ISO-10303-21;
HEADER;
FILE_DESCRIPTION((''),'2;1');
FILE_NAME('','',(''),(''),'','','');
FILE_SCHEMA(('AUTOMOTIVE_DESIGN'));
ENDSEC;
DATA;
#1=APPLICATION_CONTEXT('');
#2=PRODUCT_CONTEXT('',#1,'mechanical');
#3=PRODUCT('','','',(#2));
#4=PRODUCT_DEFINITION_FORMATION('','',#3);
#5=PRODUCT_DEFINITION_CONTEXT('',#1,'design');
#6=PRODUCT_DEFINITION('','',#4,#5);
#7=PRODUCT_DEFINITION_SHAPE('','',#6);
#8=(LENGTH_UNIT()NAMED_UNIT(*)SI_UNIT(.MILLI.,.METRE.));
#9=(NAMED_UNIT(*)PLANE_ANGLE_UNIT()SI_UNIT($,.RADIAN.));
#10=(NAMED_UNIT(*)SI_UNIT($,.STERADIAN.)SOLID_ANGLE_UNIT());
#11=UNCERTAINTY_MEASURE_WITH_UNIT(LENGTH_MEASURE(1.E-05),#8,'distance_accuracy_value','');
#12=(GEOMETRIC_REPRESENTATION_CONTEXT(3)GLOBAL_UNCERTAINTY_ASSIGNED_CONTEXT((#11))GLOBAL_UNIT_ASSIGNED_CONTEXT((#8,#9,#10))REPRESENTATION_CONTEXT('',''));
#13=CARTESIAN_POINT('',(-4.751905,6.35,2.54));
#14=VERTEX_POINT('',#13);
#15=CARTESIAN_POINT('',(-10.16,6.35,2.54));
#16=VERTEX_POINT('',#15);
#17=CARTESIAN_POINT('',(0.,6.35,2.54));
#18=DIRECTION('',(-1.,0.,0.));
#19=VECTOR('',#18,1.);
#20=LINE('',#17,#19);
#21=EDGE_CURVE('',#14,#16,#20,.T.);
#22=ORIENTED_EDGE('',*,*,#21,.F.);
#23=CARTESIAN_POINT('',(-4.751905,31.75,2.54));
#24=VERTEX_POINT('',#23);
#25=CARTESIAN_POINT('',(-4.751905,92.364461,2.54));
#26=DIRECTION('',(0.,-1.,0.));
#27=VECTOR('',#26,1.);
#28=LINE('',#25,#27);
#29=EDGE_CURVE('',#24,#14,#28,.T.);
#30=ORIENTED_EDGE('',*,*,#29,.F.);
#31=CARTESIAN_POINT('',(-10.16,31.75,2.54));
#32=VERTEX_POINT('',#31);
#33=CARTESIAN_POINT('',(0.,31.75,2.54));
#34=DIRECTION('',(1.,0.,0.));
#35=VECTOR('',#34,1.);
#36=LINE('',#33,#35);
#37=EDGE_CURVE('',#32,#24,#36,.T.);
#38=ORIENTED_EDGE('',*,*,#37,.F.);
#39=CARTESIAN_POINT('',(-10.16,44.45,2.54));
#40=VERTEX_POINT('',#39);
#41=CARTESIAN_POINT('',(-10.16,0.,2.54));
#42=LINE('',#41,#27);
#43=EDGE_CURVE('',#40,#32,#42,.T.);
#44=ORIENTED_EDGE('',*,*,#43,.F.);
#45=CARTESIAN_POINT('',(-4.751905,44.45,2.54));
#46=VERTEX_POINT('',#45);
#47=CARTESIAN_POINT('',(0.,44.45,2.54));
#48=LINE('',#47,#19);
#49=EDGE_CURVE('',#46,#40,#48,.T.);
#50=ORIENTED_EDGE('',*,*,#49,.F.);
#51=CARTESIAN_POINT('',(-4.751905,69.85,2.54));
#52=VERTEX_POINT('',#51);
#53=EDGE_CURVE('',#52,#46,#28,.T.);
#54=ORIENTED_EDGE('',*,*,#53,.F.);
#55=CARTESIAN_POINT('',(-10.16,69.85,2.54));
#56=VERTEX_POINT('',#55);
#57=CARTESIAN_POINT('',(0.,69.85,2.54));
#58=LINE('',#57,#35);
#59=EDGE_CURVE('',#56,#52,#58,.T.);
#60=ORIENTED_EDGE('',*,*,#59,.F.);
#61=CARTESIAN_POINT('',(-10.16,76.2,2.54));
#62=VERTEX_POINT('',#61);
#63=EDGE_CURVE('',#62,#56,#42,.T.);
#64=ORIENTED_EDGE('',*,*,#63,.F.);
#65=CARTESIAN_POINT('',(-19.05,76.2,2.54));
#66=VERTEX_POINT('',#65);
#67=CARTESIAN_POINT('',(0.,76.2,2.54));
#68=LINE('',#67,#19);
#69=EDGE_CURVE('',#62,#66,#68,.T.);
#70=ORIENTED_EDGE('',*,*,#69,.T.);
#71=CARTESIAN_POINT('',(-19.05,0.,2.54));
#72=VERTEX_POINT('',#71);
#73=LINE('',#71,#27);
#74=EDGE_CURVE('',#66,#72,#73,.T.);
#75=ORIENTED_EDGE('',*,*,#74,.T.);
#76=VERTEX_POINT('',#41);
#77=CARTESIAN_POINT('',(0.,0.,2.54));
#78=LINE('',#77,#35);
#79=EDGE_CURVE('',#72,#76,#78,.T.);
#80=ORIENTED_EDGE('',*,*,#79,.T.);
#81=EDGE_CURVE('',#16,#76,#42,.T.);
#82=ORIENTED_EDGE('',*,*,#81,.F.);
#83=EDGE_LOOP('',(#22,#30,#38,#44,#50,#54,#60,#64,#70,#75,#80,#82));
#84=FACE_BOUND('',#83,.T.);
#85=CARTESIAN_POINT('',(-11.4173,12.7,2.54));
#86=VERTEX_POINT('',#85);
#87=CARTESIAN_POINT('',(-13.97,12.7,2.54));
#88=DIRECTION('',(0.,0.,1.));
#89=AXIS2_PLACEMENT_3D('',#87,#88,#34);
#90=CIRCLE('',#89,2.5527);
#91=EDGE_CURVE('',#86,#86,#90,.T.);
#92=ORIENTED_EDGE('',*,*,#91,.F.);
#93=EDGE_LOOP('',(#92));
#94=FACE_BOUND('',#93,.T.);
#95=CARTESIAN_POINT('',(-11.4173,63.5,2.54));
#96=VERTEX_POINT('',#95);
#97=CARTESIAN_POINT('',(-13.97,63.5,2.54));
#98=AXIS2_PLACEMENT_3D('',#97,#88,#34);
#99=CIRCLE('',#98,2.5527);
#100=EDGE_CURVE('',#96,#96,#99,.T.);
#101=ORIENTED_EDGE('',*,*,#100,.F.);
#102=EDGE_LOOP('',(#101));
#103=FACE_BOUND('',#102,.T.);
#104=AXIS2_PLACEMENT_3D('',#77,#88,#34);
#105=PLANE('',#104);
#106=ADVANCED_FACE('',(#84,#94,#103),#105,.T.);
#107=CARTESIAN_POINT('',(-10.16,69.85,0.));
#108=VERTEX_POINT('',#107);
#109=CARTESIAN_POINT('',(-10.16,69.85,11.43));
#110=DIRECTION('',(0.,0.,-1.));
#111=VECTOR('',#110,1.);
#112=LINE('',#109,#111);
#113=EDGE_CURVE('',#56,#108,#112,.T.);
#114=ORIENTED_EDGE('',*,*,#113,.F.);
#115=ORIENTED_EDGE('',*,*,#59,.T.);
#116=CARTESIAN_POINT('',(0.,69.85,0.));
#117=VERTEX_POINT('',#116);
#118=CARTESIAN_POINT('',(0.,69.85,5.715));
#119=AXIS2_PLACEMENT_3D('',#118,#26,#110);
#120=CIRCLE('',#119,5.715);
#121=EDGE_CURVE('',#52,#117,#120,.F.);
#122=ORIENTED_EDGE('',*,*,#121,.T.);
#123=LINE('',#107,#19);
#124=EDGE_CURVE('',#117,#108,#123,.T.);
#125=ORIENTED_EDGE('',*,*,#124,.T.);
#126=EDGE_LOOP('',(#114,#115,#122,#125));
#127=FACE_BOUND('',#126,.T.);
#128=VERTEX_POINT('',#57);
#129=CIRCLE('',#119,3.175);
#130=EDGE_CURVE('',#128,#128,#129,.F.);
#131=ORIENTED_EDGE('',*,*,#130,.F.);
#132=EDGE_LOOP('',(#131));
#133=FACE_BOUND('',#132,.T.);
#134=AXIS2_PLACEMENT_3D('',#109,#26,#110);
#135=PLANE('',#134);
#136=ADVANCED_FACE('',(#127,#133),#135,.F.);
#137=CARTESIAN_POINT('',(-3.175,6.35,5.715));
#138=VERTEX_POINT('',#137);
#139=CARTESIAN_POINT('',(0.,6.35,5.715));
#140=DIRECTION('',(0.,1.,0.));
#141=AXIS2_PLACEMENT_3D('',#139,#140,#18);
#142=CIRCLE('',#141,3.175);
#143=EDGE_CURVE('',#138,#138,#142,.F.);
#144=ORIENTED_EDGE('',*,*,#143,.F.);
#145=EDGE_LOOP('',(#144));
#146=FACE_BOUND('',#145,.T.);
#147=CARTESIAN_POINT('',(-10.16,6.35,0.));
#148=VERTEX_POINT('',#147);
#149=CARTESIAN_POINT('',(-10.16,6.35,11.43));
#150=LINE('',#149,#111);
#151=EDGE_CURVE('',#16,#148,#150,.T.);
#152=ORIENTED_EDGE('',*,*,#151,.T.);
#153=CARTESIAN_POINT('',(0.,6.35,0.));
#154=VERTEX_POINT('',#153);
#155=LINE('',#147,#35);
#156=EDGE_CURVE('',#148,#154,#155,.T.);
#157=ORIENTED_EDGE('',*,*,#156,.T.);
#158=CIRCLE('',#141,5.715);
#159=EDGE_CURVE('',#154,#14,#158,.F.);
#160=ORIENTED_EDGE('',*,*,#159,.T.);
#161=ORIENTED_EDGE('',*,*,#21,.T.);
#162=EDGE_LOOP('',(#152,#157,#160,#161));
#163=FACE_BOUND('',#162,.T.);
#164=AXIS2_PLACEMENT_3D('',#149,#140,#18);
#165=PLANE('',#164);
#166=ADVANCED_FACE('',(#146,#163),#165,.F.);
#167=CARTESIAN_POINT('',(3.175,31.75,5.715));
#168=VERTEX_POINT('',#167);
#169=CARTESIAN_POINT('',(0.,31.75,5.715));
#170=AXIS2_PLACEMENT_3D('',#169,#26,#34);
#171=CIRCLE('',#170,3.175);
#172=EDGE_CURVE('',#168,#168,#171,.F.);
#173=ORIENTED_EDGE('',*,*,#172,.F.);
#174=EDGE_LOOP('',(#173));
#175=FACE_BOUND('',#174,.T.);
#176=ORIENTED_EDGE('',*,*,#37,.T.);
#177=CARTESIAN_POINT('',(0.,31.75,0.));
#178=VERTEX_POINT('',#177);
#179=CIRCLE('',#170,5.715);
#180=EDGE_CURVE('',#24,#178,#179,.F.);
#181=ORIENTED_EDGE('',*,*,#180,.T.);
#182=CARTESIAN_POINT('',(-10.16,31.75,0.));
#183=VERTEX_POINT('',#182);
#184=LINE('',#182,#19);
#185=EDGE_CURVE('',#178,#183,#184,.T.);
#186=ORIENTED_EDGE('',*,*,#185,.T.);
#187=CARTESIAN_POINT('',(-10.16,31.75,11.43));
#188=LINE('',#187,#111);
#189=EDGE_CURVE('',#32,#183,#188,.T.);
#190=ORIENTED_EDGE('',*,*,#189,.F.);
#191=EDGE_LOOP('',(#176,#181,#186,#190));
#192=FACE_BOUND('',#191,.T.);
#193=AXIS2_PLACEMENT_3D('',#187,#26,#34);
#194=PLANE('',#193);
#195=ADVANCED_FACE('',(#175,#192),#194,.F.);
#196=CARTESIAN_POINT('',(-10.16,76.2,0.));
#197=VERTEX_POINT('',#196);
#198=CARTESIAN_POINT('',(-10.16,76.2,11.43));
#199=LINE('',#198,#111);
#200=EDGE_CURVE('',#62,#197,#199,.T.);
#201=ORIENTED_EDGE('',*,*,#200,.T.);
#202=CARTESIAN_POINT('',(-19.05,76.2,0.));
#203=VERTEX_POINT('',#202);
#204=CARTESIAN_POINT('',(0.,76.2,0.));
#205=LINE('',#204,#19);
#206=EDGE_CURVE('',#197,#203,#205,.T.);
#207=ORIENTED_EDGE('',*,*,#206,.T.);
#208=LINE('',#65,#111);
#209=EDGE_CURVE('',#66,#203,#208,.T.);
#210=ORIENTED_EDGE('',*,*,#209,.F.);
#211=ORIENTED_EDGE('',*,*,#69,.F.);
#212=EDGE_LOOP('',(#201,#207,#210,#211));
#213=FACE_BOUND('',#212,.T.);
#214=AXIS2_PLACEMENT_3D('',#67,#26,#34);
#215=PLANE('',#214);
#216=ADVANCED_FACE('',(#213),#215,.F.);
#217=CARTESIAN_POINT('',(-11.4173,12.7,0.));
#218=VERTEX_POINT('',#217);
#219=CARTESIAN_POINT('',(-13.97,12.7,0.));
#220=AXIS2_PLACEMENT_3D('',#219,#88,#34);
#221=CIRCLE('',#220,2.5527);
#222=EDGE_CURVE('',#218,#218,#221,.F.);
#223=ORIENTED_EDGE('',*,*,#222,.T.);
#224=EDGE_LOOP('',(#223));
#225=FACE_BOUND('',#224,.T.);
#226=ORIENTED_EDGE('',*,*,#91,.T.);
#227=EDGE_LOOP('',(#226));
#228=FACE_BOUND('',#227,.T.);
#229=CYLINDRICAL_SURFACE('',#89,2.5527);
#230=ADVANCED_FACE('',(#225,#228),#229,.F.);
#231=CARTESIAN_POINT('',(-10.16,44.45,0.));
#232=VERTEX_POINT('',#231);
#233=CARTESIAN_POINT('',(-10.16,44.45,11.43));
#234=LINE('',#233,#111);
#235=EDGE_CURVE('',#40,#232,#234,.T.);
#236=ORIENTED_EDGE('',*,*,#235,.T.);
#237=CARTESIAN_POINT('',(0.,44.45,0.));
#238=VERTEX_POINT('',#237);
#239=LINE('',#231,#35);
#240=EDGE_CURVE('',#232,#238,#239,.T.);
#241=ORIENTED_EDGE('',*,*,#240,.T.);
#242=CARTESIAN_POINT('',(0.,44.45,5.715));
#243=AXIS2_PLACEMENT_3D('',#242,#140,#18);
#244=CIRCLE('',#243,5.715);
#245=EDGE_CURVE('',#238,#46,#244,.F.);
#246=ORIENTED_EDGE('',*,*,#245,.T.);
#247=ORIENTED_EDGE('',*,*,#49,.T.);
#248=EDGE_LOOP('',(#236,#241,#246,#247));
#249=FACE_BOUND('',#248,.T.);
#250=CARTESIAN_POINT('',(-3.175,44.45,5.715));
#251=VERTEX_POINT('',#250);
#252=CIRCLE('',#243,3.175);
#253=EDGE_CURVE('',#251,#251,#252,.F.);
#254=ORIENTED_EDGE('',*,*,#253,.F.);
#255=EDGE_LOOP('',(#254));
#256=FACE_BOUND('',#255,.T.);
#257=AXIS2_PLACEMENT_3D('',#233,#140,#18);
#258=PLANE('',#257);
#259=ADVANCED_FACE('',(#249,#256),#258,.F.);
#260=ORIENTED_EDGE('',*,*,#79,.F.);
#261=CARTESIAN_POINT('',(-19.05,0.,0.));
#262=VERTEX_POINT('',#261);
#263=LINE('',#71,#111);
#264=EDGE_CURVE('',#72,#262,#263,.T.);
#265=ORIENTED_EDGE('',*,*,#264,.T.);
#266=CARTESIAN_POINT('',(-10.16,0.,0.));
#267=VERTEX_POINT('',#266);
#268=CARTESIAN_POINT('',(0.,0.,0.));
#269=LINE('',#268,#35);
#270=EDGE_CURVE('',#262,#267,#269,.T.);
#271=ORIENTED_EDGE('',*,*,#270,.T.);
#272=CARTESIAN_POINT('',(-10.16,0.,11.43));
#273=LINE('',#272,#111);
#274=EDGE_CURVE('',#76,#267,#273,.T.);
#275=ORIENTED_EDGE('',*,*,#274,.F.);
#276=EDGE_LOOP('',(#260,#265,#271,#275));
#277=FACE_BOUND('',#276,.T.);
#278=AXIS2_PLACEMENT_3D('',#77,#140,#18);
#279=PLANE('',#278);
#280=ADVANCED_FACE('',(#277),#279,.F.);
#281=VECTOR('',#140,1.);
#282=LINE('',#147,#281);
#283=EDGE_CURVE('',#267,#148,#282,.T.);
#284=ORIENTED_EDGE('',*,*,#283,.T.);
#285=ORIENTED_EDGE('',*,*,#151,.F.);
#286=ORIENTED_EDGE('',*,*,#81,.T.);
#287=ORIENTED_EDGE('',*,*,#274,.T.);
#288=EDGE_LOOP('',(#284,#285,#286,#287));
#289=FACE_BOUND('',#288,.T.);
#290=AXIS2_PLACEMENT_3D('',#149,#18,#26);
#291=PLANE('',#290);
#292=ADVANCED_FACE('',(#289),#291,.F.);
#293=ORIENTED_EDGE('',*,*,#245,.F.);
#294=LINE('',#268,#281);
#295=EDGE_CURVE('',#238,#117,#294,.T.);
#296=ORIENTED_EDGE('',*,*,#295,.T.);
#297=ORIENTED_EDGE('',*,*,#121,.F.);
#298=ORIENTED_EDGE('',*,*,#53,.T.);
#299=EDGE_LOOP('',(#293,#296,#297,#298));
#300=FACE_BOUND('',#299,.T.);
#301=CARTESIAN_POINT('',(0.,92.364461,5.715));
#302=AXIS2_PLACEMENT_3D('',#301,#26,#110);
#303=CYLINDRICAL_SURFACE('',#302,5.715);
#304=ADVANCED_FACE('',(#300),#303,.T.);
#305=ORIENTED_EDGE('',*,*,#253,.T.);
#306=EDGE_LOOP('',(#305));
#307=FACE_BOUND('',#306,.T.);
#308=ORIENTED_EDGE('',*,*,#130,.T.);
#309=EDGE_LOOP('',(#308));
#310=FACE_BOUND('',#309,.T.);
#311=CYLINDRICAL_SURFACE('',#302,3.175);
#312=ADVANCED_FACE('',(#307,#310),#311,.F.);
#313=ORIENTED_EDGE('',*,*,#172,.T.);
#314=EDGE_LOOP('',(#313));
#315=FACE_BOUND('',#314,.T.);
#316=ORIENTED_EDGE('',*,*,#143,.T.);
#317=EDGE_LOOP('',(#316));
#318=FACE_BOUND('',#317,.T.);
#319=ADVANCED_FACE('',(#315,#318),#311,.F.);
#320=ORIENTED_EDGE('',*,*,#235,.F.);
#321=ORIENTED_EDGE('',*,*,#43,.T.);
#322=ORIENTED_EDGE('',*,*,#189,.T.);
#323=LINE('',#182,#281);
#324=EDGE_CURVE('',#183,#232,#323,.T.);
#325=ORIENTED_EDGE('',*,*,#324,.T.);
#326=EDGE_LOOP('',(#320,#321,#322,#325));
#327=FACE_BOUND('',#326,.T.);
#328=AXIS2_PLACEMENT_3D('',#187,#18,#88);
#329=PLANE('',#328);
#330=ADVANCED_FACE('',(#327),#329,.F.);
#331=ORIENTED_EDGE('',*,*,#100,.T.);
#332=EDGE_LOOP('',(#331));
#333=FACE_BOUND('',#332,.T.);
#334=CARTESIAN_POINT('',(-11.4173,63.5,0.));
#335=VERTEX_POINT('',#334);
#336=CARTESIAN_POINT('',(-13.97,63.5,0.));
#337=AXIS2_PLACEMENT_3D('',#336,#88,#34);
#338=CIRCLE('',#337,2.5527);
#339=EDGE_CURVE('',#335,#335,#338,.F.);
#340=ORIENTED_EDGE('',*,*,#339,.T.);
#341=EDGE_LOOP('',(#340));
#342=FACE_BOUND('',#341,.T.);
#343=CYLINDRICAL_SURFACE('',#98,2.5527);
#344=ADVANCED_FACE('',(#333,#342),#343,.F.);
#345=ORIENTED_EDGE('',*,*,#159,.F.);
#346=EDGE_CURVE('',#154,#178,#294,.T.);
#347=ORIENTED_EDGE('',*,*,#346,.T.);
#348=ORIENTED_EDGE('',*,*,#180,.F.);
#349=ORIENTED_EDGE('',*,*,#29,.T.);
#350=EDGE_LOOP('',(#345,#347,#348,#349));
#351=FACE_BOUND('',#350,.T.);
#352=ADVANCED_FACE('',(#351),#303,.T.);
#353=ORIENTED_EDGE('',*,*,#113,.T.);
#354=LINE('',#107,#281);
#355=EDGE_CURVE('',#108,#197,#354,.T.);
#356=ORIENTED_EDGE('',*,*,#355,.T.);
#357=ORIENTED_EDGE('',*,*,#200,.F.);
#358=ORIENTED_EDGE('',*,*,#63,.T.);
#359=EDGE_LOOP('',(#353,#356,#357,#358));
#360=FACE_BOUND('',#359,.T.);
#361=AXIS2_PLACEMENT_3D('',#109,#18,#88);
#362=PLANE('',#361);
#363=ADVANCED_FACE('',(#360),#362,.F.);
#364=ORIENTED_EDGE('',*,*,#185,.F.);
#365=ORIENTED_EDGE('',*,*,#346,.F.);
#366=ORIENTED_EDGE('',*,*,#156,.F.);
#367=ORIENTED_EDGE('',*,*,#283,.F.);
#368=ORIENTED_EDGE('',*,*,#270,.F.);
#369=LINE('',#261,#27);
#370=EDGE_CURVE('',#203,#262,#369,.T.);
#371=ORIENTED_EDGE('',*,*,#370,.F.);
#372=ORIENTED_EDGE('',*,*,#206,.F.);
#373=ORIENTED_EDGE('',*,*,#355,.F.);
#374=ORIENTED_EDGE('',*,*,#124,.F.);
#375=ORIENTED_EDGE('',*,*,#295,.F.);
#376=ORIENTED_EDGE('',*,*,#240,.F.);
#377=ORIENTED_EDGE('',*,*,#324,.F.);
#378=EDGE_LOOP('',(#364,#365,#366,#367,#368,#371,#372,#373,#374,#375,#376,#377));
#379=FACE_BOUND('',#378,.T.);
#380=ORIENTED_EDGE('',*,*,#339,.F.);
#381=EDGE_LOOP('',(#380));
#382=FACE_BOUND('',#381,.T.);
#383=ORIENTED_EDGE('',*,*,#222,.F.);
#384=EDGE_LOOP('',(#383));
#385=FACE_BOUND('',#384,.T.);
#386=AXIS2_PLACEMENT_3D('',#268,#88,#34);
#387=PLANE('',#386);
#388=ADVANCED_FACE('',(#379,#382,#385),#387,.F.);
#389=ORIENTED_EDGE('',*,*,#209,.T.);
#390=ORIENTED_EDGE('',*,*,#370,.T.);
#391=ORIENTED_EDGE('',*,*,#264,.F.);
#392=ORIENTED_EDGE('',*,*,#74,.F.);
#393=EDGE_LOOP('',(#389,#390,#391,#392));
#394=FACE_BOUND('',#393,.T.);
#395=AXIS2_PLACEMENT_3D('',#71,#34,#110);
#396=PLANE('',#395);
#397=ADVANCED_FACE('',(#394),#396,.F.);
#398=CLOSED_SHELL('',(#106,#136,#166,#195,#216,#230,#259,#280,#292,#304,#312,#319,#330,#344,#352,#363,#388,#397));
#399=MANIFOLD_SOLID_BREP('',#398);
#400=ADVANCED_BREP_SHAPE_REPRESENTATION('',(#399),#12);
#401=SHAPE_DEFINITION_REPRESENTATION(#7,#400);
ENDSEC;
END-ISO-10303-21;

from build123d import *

# Parameters (mm, degrees)
SKETCH1_W              = 19.05
SKETCH1_H              = 76.2
BOSS_EXTRUDE1_DEPTH    = 2.54
SKETCH2_R              = 5.715
SKETCH2_R_2            = 3.175
BOSS_EXTRUDE2_DEPTH    = 76.2
SKETCH3_W              = 25.4
SKETCH3_H              = 6.35
SKETCH3_H_2            = 12.7
CUT_EXTRUDE1_DEPTH     = 80.372459959
F_10_CLEARANCE_HOLE1_D = 5.1054


with BuildPart() as part:
    # Sketch1 → Boss-Extrude1 (new body)
    with BuildSketch(Plane.XY):
        with Locations((-9.525, 38.1)):
            Rectangle(SKETCH1_W, SKETCH1_H)
    extrude(amount=BOSS_EXTRUDE1_DEPTH)

    # Sketch2 → Boss-Extrude2 (add)
    with BuildSketch(Plane(origin=(0, 0, 0), x_dir=(-1, 0, 0), z_dir=(0, -1, 0))):
        with Locations((0, -5.715)):
            Circle(SKETCH2_R)
        with Locations(Location((0, -5.715, 0), (0, 0, 90))):
            Circle(SKETCH2_R_2, mode=Mode.SUBTRACT)
    extrude(amount=-BOSS_EXTRUDE2_DEPTH)

    # Sketch3 → Cut-Extrude1 (cut, through all)
    with BuildSketch(Plane(origin=(0, 0, 0), x_dir=(-1, 0, 0), z_dir=(0, 0, -1))):
        with Locations((-2.54, 3.175)):
            Rectangle(SKETCH3_W, SKETCH3_H)
        with Locations((-2.54, 73.025)):
            Rectangle(SKETCH3_W, SKETCH3_H)
        with Locations((-2.54, 38.1)):
            Rectangle(SKETCH3_W, SKETCH3_H_2)
    extrude(amount=-CUT_EXTRUDE1_DEPTH, mode=Mode.SUBTRACT)

    # #10 Clearance Hole1 (through all)
    with Locations(Plane.XY.offset(2.54)):
        with Locations((-13.97, 63.5), (-13.97, 12.7)):
            Hole(F_10_CLEARANCE_HOLE1_D / 2)


solid = part.part
